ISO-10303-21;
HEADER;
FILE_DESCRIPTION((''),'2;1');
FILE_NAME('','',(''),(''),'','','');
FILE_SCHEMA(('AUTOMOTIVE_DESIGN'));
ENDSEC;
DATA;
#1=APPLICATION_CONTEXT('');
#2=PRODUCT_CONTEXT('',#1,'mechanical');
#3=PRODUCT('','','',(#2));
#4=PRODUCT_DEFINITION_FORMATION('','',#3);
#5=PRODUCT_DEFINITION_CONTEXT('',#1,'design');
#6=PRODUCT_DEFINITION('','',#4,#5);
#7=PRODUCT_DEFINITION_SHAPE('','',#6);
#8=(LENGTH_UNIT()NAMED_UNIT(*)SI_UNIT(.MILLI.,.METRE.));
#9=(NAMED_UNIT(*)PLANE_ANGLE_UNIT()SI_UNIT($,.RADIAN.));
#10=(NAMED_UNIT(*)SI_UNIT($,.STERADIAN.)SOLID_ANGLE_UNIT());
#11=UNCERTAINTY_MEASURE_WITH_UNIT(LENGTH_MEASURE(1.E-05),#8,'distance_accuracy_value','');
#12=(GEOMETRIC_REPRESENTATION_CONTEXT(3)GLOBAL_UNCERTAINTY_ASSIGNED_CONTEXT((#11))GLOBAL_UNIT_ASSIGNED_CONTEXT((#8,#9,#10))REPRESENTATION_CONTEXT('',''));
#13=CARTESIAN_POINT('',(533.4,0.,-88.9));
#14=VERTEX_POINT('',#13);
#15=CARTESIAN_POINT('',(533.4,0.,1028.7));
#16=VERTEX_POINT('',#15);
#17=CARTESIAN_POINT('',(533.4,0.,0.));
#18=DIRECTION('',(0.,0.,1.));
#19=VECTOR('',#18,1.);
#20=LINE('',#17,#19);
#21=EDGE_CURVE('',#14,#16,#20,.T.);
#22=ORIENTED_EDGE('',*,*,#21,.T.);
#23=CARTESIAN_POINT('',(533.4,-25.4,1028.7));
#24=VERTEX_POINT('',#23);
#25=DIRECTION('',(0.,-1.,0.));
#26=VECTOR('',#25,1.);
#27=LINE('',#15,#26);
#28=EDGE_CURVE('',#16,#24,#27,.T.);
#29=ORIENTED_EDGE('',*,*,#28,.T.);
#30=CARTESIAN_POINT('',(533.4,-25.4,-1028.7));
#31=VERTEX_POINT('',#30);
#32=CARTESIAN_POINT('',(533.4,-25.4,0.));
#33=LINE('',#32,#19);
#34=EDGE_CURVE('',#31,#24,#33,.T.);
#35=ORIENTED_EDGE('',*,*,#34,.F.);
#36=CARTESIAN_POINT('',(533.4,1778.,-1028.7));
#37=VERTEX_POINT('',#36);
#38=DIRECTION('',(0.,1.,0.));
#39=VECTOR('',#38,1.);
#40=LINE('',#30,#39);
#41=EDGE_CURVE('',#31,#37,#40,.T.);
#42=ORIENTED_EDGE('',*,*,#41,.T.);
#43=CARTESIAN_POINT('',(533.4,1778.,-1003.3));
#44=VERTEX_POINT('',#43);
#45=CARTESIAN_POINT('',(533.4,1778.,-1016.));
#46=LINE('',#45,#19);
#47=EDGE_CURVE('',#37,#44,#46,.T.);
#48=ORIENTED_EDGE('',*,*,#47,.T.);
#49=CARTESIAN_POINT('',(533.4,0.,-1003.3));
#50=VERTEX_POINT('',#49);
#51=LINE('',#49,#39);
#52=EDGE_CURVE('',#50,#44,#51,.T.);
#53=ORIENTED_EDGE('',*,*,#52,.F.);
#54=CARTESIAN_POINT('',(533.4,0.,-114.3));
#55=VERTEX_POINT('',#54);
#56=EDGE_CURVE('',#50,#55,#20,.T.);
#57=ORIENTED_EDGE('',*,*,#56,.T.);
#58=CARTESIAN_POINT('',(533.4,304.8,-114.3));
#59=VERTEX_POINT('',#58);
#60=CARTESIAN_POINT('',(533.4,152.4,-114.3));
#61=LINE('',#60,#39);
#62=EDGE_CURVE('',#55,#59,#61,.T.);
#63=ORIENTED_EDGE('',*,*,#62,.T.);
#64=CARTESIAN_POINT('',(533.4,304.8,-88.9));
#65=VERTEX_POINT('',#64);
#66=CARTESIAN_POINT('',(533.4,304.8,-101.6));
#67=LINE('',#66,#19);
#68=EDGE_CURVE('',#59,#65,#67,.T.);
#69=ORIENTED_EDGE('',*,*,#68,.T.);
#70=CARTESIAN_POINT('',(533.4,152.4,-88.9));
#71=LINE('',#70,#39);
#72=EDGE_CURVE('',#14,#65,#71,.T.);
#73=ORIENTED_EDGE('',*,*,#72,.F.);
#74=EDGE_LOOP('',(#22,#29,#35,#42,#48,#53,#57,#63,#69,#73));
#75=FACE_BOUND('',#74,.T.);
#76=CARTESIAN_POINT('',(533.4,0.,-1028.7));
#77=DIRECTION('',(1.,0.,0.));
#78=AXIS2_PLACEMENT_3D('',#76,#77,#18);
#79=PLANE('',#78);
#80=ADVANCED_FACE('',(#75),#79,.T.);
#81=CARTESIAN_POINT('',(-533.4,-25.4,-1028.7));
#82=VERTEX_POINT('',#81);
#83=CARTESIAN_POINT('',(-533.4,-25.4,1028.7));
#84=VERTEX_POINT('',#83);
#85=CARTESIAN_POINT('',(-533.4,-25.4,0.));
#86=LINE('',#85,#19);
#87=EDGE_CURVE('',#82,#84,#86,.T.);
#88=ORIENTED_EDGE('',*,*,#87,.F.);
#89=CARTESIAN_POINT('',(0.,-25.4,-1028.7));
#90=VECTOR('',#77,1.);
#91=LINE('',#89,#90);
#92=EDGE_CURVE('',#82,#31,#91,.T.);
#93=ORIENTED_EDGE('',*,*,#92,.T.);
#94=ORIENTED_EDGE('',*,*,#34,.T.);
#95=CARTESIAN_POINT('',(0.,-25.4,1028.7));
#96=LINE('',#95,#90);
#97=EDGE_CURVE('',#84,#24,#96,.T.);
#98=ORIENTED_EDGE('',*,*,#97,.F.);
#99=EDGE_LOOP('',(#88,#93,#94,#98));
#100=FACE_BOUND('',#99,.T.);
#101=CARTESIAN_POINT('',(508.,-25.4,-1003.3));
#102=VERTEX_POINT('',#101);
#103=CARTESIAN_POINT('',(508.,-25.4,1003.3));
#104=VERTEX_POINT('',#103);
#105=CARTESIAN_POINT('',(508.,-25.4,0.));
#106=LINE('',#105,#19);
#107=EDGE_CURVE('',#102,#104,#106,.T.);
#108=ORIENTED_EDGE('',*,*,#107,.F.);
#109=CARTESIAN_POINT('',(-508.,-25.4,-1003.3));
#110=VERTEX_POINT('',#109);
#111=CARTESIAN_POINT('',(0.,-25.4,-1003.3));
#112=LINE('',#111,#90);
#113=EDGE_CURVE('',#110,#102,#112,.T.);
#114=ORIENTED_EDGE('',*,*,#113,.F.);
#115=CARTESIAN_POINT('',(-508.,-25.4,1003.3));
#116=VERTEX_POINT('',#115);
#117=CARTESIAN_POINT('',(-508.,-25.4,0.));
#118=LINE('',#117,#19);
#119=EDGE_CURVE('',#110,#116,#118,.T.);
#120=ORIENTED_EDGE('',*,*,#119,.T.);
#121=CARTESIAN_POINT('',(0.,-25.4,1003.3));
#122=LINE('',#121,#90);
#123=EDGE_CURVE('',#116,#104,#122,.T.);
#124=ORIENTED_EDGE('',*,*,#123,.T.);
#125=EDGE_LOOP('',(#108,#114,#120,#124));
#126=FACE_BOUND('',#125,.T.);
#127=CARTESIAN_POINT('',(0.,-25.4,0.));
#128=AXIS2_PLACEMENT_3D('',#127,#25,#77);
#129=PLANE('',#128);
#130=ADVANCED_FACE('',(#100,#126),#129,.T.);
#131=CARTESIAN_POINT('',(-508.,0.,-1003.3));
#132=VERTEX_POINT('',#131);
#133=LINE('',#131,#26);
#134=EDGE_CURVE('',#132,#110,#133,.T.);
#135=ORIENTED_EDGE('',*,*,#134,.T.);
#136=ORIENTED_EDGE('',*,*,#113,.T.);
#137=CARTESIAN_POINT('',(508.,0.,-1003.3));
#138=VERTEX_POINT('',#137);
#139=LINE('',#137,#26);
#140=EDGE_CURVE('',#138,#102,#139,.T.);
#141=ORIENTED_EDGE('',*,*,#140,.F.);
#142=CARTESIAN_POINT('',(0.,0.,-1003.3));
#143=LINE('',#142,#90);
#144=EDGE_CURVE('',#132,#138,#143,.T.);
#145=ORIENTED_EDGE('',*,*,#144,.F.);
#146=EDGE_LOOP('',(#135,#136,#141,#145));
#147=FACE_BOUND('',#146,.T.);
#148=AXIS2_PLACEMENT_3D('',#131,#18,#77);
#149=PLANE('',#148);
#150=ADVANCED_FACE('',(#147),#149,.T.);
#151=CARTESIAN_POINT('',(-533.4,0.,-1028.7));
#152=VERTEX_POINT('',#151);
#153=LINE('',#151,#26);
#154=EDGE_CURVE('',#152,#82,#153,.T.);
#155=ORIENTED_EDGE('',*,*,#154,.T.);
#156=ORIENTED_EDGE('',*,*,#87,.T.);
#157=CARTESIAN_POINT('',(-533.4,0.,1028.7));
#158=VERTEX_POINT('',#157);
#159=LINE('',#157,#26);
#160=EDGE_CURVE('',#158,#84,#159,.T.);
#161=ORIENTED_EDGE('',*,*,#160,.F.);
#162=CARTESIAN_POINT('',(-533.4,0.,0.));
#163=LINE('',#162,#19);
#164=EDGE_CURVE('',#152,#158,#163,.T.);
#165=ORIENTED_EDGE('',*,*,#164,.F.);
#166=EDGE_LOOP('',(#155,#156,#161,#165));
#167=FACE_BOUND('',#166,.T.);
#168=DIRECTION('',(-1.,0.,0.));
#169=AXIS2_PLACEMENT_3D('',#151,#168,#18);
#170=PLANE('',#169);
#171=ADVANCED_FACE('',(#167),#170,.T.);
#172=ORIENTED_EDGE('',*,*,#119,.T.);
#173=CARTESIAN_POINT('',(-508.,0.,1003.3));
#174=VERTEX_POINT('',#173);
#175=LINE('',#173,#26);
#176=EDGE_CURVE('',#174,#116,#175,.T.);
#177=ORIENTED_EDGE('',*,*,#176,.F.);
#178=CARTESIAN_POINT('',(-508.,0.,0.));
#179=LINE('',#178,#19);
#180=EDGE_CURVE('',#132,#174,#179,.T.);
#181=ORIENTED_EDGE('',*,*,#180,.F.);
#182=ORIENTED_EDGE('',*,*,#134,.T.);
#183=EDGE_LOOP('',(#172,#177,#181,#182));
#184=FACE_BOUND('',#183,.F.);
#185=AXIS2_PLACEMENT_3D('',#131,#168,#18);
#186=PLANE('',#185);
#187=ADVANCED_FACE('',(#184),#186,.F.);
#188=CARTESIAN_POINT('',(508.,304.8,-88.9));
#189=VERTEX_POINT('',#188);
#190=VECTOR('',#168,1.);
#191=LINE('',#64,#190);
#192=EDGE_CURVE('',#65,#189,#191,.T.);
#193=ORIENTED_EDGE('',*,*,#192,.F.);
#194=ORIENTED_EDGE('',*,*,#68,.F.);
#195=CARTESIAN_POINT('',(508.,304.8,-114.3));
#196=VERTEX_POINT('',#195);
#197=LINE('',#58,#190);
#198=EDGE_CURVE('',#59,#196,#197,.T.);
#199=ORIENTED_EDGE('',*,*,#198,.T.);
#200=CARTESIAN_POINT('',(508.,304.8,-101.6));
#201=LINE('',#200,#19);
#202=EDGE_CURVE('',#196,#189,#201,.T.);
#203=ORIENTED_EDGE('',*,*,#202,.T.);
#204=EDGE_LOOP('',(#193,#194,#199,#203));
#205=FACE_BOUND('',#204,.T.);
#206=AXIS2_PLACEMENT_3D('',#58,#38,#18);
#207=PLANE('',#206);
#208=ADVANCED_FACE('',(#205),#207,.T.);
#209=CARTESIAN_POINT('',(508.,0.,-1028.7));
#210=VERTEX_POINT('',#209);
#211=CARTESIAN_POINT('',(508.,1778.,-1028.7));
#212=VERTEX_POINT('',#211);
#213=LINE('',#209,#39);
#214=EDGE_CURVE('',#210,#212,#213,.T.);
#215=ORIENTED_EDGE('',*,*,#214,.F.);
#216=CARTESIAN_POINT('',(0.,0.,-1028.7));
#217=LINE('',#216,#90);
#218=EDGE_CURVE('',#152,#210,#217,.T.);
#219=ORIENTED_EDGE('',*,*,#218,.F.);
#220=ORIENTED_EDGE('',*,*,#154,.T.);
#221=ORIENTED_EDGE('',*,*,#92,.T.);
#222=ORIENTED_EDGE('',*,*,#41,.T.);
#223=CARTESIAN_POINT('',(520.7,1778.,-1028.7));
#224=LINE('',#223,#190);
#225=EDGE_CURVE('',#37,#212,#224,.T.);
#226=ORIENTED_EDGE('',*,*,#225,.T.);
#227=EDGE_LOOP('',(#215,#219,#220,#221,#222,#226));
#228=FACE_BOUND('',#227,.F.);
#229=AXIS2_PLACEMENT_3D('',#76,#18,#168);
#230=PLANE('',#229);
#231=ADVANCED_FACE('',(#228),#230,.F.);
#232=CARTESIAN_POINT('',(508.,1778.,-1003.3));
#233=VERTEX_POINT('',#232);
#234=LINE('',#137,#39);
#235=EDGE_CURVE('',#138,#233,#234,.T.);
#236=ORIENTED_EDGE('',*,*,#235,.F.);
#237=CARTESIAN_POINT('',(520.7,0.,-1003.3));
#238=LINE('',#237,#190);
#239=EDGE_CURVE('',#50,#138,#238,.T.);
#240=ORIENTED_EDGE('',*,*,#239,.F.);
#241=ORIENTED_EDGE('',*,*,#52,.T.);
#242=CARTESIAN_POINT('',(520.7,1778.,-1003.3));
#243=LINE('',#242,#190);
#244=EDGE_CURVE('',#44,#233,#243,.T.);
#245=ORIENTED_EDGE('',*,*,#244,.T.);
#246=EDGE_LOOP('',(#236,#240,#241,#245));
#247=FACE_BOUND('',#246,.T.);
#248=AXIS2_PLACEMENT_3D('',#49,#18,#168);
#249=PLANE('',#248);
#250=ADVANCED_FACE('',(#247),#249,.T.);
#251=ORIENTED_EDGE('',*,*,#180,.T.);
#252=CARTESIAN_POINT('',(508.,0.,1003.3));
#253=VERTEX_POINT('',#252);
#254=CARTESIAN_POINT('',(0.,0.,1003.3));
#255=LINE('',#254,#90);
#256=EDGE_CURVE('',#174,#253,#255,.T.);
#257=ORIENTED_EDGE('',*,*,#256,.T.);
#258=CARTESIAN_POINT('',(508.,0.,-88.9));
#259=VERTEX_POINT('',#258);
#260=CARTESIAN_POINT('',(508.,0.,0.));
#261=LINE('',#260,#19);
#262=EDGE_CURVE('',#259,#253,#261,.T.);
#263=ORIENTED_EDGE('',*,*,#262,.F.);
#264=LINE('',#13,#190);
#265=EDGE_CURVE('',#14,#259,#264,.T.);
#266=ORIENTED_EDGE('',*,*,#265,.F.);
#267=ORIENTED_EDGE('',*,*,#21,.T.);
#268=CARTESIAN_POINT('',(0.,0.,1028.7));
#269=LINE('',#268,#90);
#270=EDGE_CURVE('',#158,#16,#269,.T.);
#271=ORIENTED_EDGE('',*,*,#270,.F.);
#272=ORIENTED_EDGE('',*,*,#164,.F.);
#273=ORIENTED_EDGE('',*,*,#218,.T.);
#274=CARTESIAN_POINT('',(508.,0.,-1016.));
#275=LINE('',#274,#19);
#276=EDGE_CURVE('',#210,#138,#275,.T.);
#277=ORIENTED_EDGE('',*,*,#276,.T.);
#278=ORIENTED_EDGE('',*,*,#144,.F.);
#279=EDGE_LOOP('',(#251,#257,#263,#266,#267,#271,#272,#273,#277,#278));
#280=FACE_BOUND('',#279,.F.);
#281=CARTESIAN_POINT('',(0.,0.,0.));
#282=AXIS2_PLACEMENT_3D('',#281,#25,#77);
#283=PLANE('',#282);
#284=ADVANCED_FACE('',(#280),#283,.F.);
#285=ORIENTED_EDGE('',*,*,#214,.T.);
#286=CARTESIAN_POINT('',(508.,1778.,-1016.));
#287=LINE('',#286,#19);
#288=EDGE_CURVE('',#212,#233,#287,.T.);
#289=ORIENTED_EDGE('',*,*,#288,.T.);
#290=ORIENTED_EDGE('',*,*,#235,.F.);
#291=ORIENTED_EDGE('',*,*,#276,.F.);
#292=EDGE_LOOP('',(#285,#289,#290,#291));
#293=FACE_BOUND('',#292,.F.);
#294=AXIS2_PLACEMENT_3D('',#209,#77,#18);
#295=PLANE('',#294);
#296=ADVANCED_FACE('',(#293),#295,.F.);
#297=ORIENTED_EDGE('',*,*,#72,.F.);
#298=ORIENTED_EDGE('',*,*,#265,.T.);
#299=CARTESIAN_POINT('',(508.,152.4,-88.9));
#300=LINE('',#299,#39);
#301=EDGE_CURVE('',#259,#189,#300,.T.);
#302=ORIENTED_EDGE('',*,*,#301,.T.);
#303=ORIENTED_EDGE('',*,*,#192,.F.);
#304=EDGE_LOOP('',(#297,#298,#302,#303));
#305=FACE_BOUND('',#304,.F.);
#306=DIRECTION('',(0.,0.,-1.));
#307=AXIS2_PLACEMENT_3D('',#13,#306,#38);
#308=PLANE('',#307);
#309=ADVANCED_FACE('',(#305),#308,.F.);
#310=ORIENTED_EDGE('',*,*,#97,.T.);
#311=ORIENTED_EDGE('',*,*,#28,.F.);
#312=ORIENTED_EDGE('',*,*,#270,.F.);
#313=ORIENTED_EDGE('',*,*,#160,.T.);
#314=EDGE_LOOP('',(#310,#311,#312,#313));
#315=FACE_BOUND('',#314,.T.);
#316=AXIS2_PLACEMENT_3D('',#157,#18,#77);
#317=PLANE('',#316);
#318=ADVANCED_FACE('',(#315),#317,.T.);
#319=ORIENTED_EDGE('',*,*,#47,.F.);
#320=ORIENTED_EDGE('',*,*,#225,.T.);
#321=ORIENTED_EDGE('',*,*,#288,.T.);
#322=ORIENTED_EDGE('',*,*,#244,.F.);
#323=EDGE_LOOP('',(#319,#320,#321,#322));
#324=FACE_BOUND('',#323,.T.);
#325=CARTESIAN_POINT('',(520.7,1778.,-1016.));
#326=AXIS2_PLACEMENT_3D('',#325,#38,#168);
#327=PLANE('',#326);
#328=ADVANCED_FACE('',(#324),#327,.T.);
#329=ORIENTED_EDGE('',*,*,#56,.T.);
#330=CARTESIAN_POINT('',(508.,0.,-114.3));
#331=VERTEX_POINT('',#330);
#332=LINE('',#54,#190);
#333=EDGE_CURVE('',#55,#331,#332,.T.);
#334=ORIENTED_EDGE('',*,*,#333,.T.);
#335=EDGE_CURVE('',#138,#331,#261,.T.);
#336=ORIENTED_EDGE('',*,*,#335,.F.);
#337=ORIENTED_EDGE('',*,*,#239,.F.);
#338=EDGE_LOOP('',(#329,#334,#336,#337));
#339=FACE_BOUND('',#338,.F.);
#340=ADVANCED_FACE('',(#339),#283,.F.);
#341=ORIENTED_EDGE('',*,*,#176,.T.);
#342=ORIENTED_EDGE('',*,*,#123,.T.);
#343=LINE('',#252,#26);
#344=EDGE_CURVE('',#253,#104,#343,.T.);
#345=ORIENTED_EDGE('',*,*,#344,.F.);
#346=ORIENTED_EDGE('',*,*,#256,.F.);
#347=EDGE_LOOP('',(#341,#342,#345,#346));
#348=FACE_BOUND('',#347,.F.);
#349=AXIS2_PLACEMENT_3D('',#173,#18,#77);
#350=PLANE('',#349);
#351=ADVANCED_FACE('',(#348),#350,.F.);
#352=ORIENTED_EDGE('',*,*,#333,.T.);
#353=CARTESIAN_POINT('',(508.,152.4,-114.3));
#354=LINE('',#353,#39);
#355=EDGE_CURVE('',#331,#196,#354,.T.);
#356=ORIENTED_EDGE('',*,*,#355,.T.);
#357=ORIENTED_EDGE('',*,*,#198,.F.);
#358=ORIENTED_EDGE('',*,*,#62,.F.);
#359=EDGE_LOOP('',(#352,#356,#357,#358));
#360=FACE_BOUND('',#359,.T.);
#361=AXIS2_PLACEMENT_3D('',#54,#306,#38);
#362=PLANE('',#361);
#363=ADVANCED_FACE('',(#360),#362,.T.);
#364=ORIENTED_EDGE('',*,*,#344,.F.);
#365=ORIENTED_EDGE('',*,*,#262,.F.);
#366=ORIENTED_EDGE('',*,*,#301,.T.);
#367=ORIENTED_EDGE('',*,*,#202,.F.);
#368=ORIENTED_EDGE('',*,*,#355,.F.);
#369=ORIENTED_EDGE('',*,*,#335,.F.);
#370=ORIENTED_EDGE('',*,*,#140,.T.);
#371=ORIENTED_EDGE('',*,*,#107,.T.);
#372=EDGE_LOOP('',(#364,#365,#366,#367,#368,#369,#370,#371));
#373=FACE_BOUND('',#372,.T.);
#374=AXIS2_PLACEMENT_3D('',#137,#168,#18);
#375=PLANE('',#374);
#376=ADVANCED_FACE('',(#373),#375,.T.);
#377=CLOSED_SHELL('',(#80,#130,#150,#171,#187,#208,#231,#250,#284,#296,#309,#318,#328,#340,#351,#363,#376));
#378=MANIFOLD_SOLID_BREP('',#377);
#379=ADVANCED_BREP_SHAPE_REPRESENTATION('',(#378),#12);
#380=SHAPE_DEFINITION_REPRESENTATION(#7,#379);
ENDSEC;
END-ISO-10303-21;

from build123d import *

# Parameters (mm, degrees)
F0_W     = 1066.8
F0_H     = 2057.4
F0_W_2   = 1016
F0_H_2   = 2006.6
F1_DEPTH = 25.4
F2_W     = 304.8
F2_H     = 25.4
F3_DEPTH = 25.4
F4_W     = 25.4
F4_H     = 25.4
F5_DEPTH = 1778


with BuildPart() as f1:
    # F0 (on Front) → F1 (new body)
    with BuildSketch(Plane.XZ):
        Rectangle(F0_W, F0_H)
        Rectangle(F0_W_2, F0_H_2, mode=Mode.SUBTRACT)
    extrude(amount=F1_DEPTH)

    # F2 (on face) → F3 (join)
    with BuildSketch(Plane.YZ.offset(533.4)):
        with Locations((152.4, -101.6)):
            Rectangle(F2_W, F2_H)
    extrude(amount=-F3_DEPTH)

    # F4 (on face) → F5 (join)
    with BuildSketch(Plane(origin=(0, 0, 0), x_dir=(-1, 0, 0), z_dir=(0, 1, 0))):
        with Locations((-520.7, -1016)):
            Rectangle(F4_W, F4_H)
    extrude(amount=F5_DEPTH)


solid = f1.part
